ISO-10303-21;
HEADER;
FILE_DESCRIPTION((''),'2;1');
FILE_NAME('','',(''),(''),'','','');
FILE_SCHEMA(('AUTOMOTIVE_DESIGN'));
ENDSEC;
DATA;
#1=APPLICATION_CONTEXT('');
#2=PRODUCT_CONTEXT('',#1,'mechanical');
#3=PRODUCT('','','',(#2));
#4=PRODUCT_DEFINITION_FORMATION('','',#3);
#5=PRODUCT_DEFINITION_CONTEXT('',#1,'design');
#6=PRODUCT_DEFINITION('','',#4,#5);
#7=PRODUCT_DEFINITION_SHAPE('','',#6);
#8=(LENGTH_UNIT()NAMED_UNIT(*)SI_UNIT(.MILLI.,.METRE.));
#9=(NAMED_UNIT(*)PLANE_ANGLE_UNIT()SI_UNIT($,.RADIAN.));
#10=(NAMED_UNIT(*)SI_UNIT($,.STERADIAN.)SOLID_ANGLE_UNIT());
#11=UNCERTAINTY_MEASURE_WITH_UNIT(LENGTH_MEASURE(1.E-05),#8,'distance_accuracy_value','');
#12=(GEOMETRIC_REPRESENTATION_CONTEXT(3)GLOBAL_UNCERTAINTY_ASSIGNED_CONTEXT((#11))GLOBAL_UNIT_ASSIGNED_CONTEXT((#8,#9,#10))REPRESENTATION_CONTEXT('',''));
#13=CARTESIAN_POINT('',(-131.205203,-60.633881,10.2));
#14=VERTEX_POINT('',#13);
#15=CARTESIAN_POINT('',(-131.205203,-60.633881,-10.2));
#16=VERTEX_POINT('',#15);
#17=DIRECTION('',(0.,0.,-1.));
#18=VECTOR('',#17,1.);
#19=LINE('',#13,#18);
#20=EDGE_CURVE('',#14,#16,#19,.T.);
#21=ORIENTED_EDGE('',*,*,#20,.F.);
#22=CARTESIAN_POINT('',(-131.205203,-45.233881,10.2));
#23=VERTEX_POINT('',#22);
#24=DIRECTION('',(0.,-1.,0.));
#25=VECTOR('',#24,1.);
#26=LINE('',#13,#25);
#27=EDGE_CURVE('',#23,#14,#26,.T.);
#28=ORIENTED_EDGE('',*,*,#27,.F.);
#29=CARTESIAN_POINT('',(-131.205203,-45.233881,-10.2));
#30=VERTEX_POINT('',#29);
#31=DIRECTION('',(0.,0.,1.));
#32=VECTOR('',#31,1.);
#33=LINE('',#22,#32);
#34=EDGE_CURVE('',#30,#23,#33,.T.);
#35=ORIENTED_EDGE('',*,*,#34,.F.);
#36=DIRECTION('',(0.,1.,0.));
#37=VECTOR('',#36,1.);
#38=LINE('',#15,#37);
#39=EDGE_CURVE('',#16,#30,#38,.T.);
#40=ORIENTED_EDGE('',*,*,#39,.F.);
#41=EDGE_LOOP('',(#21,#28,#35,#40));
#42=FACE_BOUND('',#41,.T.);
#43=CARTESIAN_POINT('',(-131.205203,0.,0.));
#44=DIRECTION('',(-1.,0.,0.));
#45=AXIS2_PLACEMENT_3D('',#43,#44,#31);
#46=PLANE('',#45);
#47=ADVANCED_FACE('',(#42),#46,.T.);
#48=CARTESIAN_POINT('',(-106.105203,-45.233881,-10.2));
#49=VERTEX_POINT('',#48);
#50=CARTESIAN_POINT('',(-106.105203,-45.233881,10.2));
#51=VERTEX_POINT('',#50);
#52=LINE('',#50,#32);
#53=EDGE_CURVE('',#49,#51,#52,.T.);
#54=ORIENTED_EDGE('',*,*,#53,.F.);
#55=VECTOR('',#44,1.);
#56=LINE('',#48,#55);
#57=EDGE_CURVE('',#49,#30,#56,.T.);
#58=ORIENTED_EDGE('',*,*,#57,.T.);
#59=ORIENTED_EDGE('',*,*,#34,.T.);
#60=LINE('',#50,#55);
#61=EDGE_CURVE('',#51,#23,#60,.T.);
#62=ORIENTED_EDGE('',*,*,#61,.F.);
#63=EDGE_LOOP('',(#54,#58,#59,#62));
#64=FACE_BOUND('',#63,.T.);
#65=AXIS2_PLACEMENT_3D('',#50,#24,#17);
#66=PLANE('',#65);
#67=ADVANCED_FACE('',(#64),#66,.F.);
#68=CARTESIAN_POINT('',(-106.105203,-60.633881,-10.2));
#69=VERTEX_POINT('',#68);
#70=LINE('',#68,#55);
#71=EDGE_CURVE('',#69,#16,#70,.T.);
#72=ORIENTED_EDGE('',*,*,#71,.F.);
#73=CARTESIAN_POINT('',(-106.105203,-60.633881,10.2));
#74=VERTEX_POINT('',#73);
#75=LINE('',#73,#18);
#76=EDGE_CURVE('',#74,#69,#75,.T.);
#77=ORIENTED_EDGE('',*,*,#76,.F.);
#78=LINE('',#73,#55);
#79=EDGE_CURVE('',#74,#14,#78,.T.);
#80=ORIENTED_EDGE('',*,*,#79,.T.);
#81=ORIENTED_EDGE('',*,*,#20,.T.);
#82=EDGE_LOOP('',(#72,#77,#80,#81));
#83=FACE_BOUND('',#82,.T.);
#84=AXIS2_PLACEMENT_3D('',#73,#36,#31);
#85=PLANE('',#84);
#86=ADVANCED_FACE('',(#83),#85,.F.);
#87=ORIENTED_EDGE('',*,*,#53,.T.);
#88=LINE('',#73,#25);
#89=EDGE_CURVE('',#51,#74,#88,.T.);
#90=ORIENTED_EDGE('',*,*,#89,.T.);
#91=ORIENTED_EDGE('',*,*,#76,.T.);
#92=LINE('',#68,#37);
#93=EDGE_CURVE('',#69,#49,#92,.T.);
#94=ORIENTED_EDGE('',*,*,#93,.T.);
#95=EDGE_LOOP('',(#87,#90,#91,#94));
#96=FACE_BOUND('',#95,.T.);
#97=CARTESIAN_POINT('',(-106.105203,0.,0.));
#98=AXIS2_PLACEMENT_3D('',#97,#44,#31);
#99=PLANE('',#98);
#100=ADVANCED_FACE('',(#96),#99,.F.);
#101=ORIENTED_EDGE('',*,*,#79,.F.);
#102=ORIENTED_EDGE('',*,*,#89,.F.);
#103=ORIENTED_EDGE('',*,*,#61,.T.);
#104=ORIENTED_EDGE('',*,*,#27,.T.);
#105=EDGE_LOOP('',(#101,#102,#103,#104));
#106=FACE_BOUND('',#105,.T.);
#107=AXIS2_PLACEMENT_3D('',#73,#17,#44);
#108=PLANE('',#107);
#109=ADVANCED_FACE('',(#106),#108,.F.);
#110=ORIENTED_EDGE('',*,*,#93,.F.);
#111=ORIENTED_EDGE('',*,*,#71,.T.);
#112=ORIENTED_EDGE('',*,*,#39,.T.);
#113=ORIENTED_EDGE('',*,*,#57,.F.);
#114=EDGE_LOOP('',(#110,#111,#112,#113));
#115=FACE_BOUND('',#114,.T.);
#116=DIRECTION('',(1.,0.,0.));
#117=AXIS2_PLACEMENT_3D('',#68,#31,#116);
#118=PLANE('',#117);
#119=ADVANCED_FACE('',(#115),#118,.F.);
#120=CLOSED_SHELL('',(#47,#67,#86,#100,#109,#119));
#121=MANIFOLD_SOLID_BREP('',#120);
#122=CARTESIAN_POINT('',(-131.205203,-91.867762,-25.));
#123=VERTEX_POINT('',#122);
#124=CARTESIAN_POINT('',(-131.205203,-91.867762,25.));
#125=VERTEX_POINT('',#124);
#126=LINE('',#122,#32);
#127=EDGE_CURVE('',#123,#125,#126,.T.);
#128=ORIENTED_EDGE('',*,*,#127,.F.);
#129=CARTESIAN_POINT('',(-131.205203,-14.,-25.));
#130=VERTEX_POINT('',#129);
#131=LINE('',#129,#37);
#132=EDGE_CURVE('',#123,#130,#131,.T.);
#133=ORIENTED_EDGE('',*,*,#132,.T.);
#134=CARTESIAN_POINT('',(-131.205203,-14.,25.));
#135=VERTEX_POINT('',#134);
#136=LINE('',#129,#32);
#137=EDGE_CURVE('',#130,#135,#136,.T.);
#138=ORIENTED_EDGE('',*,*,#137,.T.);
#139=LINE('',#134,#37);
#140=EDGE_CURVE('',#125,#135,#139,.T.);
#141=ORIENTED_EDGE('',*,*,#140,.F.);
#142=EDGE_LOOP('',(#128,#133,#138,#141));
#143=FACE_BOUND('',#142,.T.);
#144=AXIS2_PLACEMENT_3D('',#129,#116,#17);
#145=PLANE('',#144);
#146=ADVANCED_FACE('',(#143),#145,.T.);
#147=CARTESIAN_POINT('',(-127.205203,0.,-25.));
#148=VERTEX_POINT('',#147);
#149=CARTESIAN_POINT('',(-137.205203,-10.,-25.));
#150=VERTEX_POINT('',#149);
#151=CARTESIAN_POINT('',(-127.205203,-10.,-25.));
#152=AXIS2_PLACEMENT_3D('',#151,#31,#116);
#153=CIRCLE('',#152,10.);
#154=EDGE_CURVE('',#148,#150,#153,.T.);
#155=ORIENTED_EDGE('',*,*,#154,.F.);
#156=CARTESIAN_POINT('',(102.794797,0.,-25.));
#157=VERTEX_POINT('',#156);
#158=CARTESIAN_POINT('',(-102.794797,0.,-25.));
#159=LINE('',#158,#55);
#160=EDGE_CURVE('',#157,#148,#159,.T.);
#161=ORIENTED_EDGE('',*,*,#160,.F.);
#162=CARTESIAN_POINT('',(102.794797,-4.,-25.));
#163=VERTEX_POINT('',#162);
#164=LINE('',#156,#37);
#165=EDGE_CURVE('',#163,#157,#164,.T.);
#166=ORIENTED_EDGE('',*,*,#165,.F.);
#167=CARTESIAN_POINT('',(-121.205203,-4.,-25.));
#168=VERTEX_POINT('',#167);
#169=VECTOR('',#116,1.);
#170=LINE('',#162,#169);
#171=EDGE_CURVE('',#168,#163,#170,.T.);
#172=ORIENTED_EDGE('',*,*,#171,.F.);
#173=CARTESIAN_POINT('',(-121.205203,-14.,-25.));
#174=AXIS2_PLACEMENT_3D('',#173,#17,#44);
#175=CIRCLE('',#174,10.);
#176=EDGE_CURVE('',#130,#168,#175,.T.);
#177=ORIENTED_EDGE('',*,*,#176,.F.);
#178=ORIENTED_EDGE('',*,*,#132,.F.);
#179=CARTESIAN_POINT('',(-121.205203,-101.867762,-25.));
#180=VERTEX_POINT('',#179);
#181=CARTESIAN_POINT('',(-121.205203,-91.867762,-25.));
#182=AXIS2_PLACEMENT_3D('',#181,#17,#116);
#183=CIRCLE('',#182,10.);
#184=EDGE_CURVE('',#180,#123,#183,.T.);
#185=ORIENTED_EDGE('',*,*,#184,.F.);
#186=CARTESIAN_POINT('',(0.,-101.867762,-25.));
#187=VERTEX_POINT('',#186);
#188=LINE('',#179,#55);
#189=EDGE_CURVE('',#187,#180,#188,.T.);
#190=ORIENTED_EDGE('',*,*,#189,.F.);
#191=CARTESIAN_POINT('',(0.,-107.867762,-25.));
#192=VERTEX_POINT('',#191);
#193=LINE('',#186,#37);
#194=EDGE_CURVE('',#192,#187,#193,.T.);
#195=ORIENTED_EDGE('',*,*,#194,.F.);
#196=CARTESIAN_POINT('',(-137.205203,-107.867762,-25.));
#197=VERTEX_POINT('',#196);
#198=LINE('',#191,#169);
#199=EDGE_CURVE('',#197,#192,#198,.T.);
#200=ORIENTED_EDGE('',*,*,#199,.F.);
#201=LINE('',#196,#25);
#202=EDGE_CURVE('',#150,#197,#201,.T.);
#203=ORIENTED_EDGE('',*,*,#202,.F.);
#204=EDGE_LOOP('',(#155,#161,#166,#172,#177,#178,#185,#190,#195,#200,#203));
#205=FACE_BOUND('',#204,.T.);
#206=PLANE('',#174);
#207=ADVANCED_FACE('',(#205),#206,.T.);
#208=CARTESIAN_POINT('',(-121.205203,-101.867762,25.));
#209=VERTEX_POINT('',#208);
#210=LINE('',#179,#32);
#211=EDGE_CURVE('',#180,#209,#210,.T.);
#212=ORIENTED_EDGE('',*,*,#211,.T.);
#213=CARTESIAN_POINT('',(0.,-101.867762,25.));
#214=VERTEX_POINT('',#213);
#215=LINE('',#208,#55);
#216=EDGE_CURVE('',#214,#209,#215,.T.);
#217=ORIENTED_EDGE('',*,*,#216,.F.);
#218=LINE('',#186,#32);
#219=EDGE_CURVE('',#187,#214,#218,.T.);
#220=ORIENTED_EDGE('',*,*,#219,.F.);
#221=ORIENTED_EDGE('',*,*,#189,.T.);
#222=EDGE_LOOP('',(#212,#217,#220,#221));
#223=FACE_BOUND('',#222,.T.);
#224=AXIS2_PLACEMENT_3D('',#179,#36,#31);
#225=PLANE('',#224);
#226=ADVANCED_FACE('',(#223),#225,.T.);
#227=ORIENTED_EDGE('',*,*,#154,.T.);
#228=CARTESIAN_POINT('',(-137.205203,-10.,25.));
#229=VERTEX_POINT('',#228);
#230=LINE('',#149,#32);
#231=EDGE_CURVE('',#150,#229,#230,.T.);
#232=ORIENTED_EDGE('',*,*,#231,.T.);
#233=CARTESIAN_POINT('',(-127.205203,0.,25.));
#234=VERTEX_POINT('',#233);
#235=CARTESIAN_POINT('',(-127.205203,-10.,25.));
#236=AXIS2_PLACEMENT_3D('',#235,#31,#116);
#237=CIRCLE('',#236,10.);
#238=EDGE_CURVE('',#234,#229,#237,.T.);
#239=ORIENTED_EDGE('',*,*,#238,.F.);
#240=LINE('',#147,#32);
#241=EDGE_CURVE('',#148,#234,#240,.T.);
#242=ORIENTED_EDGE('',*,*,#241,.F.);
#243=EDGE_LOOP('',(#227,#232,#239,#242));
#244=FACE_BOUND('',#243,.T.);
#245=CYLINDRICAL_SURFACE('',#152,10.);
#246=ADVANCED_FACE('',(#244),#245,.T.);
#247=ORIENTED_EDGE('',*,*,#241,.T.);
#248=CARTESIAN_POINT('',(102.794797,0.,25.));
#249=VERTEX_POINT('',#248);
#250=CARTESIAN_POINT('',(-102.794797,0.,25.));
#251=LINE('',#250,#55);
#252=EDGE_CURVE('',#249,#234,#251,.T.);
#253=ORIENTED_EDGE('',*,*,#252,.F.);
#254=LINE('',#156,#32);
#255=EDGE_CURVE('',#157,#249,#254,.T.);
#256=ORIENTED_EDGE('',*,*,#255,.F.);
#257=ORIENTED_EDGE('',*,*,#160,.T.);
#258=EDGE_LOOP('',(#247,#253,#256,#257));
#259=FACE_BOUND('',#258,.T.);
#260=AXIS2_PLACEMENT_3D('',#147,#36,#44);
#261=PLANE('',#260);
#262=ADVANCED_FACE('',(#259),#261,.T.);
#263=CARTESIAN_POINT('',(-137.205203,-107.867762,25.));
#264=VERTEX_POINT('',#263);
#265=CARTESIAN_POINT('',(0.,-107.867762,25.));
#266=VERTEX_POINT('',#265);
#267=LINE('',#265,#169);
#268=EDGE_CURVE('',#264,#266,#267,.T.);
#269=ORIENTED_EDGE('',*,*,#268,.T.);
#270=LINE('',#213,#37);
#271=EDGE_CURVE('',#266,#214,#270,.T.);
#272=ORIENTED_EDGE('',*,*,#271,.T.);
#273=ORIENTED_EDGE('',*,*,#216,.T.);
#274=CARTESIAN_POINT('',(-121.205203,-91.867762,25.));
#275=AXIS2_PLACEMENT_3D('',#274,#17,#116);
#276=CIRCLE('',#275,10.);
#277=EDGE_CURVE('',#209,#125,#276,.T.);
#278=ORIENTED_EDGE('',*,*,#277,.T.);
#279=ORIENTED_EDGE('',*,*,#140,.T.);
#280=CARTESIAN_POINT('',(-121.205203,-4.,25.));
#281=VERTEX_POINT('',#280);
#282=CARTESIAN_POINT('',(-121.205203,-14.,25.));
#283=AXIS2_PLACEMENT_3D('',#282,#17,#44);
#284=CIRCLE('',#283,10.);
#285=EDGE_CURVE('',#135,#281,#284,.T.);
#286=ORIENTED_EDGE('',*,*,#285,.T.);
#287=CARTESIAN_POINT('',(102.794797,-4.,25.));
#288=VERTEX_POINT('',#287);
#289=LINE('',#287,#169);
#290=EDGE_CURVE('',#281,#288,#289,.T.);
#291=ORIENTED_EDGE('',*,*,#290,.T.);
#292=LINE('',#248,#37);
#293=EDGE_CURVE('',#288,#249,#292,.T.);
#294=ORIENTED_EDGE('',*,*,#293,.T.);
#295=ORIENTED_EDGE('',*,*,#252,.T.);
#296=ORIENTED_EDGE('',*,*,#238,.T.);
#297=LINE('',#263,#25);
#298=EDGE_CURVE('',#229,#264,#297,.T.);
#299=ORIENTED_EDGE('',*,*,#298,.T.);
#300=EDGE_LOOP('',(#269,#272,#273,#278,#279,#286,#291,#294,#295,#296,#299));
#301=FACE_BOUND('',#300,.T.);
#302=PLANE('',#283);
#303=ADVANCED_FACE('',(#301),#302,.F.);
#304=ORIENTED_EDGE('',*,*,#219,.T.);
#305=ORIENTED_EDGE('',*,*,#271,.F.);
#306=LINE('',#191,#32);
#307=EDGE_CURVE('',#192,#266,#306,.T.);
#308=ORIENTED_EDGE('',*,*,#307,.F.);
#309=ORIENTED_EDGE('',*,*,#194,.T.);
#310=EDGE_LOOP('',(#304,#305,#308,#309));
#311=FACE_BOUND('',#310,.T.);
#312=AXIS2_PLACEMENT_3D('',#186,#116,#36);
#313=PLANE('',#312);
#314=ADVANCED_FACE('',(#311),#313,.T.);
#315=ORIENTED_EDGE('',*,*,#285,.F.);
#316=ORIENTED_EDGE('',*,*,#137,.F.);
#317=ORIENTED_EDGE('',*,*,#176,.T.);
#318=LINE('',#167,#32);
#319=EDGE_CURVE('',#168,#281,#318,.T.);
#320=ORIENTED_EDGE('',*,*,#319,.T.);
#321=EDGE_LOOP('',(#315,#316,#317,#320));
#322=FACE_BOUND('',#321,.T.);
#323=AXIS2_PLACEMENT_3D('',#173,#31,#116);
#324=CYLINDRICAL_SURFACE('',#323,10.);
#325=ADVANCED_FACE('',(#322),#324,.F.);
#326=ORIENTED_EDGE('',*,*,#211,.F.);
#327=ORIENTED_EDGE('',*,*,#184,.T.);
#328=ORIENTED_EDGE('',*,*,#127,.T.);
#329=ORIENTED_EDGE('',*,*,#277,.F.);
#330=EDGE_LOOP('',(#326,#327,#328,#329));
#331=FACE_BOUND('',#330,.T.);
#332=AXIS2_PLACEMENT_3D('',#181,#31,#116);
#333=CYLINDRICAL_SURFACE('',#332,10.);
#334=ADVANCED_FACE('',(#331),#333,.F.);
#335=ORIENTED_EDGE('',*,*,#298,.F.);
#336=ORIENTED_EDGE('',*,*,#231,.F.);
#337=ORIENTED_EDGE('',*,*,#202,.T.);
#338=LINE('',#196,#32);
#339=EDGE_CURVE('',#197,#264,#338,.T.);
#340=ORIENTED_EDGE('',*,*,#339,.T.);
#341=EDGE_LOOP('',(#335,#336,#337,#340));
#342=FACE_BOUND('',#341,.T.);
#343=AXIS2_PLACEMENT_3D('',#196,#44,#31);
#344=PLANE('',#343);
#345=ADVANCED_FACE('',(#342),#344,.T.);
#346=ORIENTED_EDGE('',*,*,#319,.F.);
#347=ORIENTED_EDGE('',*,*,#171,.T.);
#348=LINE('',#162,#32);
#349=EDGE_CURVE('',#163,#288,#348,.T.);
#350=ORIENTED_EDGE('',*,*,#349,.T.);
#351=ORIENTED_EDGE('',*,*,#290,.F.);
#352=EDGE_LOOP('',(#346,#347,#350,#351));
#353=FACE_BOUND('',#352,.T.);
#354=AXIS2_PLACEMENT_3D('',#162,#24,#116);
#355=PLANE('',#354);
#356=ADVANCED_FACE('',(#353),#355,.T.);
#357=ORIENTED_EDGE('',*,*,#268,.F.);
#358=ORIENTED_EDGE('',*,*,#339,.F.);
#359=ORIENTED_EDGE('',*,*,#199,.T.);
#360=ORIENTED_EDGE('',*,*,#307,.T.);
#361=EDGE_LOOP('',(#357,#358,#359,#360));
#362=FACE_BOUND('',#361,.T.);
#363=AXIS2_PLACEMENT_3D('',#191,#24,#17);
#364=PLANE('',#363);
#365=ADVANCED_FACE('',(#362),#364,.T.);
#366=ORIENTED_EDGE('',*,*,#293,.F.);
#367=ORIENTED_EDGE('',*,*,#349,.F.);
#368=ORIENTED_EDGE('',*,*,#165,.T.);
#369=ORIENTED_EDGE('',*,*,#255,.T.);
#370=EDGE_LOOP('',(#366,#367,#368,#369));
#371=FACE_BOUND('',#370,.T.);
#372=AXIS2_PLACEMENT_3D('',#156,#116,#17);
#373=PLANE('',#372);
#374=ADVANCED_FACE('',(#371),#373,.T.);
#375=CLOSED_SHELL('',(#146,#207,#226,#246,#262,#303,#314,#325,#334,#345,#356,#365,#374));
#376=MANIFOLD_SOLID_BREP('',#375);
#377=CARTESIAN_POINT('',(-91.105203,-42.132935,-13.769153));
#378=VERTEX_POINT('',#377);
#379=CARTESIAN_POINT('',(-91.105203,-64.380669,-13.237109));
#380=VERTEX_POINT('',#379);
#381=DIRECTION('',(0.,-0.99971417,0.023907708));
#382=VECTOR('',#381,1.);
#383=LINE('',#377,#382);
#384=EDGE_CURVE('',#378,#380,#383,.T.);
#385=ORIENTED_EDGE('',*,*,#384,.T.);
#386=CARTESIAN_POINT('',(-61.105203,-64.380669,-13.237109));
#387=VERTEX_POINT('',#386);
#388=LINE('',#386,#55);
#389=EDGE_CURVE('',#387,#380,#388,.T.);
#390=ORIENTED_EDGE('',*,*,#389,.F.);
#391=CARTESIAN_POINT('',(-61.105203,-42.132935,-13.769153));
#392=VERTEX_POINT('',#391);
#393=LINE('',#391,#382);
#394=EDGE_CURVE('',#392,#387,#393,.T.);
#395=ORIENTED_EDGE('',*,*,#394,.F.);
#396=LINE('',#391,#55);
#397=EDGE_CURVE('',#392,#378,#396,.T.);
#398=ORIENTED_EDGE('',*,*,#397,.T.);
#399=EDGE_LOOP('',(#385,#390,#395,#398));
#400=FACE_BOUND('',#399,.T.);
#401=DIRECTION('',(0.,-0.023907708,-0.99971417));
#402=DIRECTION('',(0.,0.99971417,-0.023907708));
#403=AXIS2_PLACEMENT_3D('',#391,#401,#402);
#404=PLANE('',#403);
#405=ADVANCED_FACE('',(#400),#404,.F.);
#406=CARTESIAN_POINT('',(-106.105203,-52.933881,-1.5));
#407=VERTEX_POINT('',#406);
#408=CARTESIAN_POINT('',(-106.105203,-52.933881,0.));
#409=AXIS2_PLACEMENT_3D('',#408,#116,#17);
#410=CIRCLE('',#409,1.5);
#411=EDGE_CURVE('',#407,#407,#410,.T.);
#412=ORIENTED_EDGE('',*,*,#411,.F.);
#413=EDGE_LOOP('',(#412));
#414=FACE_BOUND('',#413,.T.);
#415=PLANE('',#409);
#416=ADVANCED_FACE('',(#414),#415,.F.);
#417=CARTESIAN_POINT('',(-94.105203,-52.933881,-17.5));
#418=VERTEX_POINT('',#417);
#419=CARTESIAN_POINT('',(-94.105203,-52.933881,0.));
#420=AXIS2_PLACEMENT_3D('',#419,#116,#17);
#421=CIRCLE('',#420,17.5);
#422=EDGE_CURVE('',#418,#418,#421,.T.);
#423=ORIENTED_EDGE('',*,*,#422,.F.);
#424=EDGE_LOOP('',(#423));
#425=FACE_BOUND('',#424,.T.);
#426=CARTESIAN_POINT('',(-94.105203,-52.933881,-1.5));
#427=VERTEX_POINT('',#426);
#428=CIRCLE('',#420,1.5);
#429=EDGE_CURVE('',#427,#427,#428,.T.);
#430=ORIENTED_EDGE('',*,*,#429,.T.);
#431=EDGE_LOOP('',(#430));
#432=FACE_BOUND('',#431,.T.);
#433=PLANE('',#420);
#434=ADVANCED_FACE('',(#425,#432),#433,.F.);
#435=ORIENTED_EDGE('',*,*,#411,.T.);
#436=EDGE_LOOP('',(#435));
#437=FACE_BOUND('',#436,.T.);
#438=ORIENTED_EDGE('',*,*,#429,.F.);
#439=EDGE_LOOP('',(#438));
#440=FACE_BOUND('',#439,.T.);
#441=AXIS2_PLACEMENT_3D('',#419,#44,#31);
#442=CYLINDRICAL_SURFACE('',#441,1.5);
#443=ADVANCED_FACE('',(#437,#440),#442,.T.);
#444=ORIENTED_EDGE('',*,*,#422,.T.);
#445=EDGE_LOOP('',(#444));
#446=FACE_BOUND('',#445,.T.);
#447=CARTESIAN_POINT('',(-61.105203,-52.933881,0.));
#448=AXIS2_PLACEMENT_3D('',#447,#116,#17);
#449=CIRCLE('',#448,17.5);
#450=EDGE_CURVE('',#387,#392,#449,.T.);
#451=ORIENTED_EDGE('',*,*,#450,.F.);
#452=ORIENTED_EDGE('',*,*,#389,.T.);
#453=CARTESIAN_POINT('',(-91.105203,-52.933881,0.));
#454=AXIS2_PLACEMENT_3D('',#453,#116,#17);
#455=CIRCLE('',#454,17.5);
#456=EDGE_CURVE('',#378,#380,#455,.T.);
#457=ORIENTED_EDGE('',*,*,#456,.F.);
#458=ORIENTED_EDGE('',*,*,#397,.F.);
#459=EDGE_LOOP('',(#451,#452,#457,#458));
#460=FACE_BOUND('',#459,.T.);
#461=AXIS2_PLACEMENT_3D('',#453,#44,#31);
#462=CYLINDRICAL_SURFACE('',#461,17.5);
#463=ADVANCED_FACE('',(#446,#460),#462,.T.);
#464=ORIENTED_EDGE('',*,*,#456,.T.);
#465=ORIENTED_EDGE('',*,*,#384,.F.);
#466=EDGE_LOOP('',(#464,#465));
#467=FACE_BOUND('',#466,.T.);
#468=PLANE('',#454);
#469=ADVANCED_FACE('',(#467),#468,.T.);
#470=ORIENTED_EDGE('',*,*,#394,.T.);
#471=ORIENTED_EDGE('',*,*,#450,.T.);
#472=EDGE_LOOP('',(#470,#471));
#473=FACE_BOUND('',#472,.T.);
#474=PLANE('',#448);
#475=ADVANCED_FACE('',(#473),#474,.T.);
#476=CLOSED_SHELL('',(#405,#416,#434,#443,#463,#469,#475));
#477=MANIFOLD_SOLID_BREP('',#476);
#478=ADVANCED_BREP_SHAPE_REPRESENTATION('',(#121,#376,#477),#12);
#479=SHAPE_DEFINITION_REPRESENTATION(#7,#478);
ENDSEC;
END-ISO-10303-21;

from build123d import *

# Parameters (mm, degrees)
BOSS_EXTRUDE1_DEPTH      = 25
BOSS_EXTRUDE1_DEPTH_BACK = 25
SKETCH2_W                = 20.4
SKETCH2_H                = 15.4
BOSS_EXTRUDE2_DEPTH      = 25.1
SKETCH3_R                = 1.5
BOSS_EXTRUDE3_DEPTH      = 12
SKETCH4_R                = 17.5
BOSS_EXTRUDE4_DEPTH      = 3
BOSS_EXTRUDE5_DEPTH      = 30


with BuildPart() as part:
    # Sketch1 → Boss-Extrude1 (new, two sides: drawn at the far end of the back side and taken through both)
    with BuildSketch(Plane.XY.offset(-BOSS_EXTRUDE1_DEPTH_BACK)):
        with BuildLine():
            Line((-102.79479724, 0), (102.79479724, 0))
            Line((102.79479724, 0), (102.79479724, -4))
            Line((102.79479724, -4), (-121.20520276, -4))
            ThreePointArc((-121.20520276, -4), (-128.276270572, -6.928932188), (-131.20520276, -14))
            Line((-131.20520276, -14), (-131.20520276, -91.867761665))
            ThreePointArc((-131.20520276, -91.867761665), (-128.276270572, -98.938829477), (-121.20520276, -101.867761665))
            Line((-121.20520276, -101.867761665), (0, -101.867761665))
            Line((0, -101.867761665), (0, -107.867761665))
            Line((0, -107.867761665), (-137.20520276, -107.867761665))
            Line((-137.20520276, -107.867761665), (-137.20520276, -10))
            ThreePointArc((-137.20520276, -10), (-134.276270572, -2.928932188), (-127.20520276, 0))
            Line((-127.20520276, 0), (-102.79479724, 0))
        make_face()
    extrude(amount=BOSS_EXTRUDE1_DEPTH + BOSS_EXTRUDE1_DEPTH_BACK)


with BuildPart() as body_2:
    # Sketch2 → Boss-Extrude2 (new body)
    with BuildSketch(Plane(origin=(-131.20520276, 0, 0), x_dir=(0, 0, -1), z_dir=(1, 0, 0))):
        with Locations((0, -52.933880832)):
            Rectangle(SKETCH2_W, SKETCH2_H)
    extrude(amount=BOSS_EXTRUDE2_DEPTH)


with BuildPart() as body_3:
    # Sketch3 → Boss-Extrude3 (new body)
    with BuildSketch(Plane(origin=(-106.10520276, 0, 0), x_dir=(0, 0, -1), z_dir=(1, 0, 0))):
        with Locations((0, -52.933880832)):
            Circle(SKETCH3_R)
    extrude(amount=BOSS_EXTRUDE3_DEPTH)

    # Sketch4 → Boss-Extrude4 (add)
    with BuildSketch(Plane(origin=(-94.10520276, 0, 0), x_dir=(0, 0, -1), z_dir=(1, 0, 0))):
        with Locations((0, -52.933880832)):
            Circle(SKETCH4_R)
    extrude(amount=BOSS_EXTRUDE4_DEPTH)

    # Sketch5 → Boss-Extrude5 (add)
    with BuildSketch(Plane(origin=(-91.10520276, 0, 0), x_dir=(0, 0, -1), z_dir=(1, 0, 0))):
        with BuildLine():
            Line((13.76915299, -42.132935229), (13.237108587, -64.380668865))
            ThreePointArc((13.237108587, -64.380668865), (17.494997973, -53.35226573), (13.76915299, -42.132935229))
        make_face()
    extrude(amount=BOSS_EXTRUDE5_DEPTH)


solid = Compound([part.part, body_2.part, body_3.part])
